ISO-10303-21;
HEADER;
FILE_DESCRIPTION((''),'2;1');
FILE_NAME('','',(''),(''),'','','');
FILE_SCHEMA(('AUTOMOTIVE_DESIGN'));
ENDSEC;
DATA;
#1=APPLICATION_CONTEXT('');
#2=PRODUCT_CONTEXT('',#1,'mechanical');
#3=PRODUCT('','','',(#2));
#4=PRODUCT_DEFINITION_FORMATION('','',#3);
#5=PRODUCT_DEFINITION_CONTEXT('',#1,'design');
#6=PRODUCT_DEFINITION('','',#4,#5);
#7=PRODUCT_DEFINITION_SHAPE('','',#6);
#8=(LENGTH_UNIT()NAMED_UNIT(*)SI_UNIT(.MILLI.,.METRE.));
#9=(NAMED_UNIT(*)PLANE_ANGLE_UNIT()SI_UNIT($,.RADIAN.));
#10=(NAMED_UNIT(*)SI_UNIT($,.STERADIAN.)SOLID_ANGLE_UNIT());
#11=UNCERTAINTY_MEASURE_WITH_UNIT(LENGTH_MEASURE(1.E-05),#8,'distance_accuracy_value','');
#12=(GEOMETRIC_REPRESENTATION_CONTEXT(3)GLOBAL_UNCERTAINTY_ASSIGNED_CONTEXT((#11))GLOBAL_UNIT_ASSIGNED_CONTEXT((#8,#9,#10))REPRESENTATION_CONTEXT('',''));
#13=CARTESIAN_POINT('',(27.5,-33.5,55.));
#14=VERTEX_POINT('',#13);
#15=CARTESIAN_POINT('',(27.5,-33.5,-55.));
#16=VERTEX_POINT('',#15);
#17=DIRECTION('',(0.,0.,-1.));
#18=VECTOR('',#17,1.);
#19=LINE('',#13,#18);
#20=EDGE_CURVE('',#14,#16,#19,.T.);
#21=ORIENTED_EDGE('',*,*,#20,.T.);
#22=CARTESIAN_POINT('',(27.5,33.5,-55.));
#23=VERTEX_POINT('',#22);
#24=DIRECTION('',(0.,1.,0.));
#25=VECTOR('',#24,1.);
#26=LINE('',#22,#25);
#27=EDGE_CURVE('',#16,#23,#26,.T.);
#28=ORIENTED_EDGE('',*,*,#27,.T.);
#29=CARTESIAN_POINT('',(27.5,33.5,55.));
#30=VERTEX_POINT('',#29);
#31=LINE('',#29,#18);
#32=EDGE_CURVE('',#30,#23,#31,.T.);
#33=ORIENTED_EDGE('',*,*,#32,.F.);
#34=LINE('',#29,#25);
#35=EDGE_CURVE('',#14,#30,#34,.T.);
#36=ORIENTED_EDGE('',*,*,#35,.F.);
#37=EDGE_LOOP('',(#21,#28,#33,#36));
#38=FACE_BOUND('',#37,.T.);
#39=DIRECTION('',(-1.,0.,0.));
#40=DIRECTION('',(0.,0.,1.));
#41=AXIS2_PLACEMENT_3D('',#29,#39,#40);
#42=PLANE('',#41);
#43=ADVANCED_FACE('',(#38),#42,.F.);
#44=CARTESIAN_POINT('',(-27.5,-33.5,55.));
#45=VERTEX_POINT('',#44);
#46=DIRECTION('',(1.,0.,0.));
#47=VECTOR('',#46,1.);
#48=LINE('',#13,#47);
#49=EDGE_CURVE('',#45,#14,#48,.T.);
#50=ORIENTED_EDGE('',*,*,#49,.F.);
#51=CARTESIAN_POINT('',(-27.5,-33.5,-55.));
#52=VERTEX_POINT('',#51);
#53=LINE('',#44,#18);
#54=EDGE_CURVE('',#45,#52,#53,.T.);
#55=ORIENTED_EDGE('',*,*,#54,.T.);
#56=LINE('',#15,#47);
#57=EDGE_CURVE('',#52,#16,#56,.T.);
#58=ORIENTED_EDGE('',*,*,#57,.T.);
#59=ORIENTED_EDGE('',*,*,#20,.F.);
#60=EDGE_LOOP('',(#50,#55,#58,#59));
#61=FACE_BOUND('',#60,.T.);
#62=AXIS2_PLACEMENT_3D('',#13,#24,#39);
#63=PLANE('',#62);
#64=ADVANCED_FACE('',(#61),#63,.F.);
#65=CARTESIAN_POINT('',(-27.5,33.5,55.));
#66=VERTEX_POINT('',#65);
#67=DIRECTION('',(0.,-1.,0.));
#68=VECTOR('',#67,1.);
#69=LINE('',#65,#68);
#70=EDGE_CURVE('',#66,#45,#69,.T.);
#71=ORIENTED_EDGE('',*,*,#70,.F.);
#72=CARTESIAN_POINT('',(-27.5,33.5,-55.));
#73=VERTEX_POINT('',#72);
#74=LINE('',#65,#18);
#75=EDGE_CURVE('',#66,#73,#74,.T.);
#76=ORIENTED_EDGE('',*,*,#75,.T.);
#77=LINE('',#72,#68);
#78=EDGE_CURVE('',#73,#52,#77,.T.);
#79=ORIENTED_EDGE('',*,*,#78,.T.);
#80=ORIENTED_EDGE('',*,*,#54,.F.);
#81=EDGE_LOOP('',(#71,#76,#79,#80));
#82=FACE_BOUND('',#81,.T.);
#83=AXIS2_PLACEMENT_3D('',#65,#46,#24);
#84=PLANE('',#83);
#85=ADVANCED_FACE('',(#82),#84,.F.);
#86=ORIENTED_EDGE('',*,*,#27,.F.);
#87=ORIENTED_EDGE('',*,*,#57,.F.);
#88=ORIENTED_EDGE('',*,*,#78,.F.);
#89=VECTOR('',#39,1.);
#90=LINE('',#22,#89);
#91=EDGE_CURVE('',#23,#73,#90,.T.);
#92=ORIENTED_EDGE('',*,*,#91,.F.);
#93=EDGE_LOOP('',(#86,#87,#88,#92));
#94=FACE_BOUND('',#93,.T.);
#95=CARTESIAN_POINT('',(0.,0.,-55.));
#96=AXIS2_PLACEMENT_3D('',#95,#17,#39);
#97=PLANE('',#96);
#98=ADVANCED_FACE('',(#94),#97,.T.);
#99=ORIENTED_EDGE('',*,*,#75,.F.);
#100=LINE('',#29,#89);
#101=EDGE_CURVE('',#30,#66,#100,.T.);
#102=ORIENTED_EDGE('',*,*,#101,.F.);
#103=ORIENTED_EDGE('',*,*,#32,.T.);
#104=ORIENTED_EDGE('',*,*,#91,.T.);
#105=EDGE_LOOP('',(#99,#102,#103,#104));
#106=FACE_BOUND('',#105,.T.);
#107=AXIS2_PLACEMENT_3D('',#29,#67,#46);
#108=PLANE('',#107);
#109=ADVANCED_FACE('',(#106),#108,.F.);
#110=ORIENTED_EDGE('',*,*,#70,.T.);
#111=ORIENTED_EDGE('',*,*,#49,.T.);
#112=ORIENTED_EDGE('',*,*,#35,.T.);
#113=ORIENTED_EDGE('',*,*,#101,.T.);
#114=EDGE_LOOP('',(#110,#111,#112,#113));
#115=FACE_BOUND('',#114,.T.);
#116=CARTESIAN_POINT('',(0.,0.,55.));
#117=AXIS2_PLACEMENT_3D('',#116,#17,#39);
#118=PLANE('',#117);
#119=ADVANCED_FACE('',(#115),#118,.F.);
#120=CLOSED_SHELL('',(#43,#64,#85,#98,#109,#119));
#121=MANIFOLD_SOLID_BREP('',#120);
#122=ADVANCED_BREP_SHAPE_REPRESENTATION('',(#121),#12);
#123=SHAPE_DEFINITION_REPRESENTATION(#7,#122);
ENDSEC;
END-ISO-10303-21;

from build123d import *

# Parameters (mm, degrees)
SKETCH_1_W      = 55
SKETCH_1_H      = 67
EXTRUDE_1_DEPTH = 55


with BuildPart() as part:
    # 草图1 → 凸台-拉伸1 (new body, symmetric)
    with BuildSketch(Plane.XY):
        Rectangle(SKETCH_1_W, SKETCH_1_H)
    extrude(amount=EXTRUDE_1_DEPTH, both=True)


solid = part.part
